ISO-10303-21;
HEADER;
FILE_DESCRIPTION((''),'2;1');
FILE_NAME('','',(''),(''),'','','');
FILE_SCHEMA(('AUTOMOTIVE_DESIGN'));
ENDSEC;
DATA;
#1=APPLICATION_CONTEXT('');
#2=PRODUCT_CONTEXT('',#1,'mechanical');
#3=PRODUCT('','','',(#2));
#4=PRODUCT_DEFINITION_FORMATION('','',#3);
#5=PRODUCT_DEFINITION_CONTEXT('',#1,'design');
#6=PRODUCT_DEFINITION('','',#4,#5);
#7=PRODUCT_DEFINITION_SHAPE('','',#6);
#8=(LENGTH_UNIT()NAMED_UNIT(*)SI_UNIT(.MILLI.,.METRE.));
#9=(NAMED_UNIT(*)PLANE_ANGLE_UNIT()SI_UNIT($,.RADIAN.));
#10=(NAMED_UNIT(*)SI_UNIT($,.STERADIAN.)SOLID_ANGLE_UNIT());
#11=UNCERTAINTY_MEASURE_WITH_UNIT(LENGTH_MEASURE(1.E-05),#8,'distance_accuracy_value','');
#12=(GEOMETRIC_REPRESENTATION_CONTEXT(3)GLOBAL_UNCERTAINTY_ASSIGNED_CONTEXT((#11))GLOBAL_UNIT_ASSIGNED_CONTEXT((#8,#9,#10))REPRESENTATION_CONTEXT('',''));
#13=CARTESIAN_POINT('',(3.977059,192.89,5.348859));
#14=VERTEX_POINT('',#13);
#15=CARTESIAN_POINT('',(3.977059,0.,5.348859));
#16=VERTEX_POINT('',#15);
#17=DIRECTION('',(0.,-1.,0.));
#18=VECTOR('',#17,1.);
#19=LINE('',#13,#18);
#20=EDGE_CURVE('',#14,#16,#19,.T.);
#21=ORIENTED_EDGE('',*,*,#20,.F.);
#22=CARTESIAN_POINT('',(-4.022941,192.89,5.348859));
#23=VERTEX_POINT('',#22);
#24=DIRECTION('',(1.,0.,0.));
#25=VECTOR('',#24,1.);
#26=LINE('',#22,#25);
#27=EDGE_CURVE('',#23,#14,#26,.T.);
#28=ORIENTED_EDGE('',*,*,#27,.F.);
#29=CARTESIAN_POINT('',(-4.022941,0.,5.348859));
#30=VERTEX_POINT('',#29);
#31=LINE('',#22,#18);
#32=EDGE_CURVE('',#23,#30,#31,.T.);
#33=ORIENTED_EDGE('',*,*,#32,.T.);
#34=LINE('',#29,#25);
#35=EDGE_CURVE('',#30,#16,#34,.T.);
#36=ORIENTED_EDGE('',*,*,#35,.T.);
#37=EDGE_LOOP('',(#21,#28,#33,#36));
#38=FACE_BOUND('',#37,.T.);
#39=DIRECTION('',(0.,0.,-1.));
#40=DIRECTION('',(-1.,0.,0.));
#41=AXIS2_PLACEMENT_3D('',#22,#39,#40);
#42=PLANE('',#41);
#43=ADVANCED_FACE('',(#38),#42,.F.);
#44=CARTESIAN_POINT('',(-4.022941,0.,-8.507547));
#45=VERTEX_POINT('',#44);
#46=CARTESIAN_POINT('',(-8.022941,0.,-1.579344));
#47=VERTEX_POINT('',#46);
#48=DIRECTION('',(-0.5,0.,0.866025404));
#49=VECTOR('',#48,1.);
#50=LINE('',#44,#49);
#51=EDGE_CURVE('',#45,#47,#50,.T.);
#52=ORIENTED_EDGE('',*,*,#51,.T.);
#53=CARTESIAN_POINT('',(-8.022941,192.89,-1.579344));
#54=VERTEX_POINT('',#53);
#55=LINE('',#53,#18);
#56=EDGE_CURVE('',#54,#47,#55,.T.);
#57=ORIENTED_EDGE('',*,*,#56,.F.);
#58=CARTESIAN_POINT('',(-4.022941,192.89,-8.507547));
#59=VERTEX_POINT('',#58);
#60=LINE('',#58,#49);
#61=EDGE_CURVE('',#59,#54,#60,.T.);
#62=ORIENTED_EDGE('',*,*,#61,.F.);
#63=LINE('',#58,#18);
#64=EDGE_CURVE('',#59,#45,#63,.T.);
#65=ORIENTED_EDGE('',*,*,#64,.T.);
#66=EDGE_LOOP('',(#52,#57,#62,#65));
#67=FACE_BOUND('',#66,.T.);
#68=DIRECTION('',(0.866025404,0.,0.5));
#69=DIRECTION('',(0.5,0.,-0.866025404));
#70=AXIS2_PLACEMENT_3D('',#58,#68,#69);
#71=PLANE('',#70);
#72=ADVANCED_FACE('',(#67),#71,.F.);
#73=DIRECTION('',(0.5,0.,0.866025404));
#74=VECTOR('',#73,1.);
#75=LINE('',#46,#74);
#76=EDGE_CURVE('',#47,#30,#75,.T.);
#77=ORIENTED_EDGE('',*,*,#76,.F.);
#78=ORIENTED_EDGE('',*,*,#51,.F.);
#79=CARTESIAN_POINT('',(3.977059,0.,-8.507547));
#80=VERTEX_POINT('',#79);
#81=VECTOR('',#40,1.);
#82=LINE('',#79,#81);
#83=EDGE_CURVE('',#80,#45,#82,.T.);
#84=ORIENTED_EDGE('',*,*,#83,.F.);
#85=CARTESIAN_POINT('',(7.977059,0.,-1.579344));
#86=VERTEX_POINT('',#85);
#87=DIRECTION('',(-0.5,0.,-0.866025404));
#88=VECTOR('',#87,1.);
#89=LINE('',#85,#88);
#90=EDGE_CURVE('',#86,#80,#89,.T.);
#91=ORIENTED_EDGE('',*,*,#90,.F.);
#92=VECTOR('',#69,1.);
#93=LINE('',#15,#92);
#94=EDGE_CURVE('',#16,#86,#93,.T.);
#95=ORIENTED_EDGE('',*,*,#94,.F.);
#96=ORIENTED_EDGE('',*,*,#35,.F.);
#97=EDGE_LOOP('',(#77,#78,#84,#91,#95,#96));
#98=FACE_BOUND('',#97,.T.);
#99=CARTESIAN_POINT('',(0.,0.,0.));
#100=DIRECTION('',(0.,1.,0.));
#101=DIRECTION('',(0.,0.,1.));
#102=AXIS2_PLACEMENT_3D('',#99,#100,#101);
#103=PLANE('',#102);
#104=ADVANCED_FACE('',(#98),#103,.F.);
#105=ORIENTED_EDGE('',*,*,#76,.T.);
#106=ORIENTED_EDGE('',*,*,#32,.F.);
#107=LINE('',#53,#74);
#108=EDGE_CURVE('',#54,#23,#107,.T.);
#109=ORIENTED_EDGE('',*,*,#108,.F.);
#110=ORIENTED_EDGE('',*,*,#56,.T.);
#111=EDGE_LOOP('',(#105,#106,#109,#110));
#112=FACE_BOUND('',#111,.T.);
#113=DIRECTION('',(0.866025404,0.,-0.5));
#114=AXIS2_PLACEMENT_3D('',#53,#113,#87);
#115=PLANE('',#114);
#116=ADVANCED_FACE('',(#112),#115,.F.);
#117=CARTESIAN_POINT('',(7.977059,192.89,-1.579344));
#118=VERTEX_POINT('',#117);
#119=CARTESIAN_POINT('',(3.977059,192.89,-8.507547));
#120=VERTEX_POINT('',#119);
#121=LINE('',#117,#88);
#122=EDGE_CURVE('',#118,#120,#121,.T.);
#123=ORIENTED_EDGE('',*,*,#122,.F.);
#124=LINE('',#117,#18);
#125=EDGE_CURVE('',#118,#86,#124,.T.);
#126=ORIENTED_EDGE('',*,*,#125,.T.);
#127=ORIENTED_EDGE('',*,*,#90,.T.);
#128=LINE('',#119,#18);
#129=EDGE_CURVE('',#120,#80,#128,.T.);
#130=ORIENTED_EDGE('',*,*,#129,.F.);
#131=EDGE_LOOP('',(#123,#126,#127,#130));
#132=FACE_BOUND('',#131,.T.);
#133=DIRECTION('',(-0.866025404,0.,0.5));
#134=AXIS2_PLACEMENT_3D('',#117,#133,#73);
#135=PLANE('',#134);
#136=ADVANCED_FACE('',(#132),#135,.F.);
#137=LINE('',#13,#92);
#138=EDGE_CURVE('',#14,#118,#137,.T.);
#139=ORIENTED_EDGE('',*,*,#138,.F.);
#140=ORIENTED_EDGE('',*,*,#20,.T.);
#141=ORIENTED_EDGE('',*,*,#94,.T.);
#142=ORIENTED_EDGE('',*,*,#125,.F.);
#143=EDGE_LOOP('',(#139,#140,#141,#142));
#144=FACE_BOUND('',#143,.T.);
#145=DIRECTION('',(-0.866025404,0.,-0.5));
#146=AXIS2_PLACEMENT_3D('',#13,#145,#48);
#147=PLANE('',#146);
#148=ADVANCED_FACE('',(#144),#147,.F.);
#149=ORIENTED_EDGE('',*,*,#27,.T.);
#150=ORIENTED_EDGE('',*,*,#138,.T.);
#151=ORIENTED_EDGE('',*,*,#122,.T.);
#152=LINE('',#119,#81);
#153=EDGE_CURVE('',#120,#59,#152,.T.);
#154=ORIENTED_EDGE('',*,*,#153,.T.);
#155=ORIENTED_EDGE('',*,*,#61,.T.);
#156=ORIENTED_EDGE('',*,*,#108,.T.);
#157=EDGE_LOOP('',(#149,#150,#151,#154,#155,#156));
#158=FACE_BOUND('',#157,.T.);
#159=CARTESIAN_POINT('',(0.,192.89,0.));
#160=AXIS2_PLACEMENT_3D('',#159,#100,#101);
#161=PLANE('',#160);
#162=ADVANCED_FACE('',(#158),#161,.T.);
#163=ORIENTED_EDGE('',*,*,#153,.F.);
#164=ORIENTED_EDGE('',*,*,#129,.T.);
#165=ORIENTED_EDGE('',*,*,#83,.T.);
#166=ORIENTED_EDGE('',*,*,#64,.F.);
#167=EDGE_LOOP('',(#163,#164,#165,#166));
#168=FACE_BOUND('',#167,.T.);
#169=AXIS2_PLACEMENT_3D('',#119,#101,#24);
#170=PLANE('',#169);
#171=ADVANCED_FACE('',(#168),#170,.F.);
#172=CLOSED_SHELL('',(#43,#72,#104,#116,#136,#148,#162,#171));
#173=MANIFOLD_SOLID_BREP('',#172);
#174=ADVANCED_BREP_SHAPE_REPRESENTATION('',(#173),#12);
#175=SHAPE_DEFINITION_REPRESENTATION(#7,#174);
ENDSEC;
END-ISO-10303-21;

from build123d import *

# Parameters (mm, degrees)
BOSS_EXTRUDE1_DEPTH = 192.89


with BuildPart() as part:
    # Sketch1 → Boss-Extrude1 (new body)
    with BuildSketch(Plane(origin=(0, 0, 0), x_dir=(1, 0, 0), z_dir=(0, 1, 0))):
        Polygon((7.977059052, 1.579344013), (3.977059052, 8.507547244), (-4.022940948, 8.507547244), (-8.022940948, 1.579344013), (-4.022940948, -5.348859217), (3.977059052, -5.348859217), align=None)
    extrude(amount=BOSS_EXTRUDE1_DEPTH)


solid = part.part
